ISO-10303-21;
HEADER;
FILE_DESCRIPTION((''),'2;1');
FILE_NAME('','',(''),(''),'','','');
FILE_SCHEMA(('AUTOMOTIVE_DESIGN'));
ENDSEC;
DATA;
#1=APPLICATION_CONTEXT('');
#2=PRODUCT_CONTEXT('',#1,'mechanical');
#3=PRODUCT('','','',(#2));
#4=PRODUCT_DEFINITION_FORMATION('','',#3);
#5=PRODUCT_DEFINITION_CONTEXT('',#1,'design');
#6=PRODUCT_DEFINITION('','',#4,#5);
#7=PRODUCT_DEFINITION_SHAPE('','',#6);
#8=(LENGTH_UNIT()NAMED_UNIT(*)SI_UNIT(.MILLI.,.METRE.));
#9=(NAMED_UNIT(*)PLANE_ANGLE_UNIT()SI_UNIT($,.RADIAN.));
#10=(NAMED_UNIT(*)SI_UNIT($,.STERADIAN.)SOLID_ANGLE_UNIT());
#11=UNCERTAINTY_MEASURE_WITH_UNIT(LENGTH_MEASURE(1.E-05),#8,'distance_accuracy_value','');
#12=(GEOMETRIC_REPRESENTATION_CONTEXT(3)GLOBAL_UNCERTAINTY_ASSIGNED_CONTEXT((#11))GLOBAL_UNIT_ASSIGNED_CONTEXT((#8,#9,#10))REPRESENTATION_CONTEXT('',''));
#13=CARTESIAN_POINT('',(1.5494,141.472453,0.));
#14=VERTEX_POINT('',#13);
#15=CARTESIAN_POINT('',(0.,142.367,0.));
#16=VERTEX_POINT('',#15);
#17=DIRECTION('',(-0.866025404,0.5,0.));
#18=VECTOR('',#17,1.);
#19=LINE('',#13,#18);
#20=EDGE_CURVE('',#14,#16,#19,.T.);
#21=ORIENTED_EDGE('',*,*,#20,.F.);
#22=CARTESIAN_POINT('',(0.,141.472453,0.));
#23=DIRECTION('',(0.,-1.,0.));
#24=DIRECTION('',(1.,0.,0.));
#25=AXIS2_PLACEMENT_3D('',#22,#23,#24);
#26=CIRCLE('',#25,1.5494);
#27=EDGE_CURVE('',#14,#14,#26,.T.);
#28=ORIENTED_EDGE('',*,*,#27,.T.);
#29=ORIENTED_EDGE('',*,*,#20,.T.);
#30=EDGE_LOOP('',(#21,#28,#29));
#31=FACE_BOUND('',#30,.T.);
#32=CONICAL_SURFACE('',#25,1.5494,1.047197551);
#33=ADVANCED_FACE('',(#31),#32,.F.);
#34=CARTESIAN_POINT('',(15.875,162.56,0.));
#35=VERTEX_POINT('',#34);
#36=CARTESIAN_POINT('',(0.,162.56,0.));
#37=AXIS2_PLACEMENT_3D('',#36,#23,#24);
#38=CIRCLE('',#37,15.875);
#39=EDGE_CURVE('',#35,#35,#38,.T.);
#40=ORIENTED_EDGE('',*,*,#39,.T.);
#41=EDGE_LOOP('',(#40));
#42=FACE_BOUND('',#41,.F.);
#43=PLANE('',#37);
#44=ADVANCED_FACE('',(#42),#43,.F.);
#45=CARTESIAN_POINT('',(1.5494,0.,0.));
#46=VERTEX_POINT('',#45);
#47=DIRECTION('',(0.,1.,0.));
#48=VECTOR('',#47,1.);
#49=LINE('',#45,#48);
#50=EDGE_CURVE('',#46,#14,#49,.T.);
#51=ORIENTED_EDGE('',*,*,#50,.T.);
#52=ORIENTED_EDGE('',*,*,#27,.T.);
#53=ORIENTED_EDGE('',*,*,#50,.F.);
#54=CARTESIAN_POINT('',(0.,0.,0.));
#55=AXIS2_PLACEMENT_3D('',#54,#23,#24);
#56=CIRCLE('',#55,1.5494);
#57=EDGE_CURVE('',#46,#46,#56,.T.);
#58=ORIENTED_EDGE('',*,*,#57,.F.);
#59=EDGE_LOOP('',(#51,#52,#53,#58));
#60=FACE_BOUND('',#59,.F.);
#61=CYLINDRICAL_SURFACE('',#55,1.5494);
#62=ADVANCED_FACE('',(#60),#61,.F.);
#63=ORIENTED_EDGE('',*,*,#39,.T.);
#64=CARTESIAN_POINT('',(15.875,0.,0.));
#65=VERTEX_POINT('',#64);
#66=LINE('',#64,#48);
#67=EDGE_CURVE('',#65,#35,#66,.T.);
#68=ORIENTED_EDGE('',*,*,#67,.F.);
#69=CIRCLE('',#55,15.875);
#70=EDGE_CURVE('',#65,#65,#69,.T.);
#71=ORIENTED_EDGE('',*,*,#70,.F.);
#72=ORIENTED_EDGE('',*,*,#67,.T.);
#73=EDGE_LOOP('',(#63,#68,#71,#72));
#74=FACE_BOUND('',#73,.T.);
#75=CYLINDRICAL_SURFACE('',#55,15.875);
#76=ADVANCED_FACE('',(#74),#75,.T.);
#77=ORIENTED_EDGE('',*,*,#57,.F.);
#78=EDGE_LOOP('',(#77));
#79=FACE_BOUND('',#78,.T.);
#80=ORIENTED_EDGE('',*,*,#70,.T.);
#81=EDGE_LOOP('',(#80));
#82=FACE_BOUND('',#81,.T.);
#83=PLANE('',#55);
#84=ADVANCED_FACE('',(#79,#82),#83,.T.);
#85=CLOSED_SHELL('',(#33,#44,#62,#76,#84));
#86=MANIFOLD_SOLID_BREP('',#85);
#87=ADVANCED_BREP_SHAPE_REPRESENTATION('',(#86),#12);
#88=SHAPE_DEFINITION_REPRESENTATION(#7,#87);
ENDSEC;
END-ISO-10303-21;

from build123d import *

# Parameters (mm, degrees)
F0_R     = 15.875
F1_DEPTH = 162.56
F2_R     = 1.5494
F3_DEPTH = 142.367
F4_SIZE2 = 1.5494
F4_SIZE  = 0.8945465071


with BuildPart() as f1:
    # F0 (on Front) → F1 (new body)
    with BuildSketch(Plane.XZ):
        Circle(F0_R)
    extrude(amount=-F1_DEPTH)

    # F2 (on Front) → F3 (cut)
    with BuildSketch(Plane.XZ):
        Circle(F2_R)
    extrude(amount=-F3_DEPTH, mode=Mode.SUBTRACT)

    # F4
    f4_edges = [f1.edges().sort_by_distance(p)[0] for p in [
        (-1.5494, 142.367, 0),
    ]]
    f4_side = f1.faces().sort_by_distance((-1.5494, 71.1835, 0))[0]
    chamfer(f4_edges, length=F4_SIZE, length2=F4_SIZE2, reference=f4_side)


solid = f1.part
